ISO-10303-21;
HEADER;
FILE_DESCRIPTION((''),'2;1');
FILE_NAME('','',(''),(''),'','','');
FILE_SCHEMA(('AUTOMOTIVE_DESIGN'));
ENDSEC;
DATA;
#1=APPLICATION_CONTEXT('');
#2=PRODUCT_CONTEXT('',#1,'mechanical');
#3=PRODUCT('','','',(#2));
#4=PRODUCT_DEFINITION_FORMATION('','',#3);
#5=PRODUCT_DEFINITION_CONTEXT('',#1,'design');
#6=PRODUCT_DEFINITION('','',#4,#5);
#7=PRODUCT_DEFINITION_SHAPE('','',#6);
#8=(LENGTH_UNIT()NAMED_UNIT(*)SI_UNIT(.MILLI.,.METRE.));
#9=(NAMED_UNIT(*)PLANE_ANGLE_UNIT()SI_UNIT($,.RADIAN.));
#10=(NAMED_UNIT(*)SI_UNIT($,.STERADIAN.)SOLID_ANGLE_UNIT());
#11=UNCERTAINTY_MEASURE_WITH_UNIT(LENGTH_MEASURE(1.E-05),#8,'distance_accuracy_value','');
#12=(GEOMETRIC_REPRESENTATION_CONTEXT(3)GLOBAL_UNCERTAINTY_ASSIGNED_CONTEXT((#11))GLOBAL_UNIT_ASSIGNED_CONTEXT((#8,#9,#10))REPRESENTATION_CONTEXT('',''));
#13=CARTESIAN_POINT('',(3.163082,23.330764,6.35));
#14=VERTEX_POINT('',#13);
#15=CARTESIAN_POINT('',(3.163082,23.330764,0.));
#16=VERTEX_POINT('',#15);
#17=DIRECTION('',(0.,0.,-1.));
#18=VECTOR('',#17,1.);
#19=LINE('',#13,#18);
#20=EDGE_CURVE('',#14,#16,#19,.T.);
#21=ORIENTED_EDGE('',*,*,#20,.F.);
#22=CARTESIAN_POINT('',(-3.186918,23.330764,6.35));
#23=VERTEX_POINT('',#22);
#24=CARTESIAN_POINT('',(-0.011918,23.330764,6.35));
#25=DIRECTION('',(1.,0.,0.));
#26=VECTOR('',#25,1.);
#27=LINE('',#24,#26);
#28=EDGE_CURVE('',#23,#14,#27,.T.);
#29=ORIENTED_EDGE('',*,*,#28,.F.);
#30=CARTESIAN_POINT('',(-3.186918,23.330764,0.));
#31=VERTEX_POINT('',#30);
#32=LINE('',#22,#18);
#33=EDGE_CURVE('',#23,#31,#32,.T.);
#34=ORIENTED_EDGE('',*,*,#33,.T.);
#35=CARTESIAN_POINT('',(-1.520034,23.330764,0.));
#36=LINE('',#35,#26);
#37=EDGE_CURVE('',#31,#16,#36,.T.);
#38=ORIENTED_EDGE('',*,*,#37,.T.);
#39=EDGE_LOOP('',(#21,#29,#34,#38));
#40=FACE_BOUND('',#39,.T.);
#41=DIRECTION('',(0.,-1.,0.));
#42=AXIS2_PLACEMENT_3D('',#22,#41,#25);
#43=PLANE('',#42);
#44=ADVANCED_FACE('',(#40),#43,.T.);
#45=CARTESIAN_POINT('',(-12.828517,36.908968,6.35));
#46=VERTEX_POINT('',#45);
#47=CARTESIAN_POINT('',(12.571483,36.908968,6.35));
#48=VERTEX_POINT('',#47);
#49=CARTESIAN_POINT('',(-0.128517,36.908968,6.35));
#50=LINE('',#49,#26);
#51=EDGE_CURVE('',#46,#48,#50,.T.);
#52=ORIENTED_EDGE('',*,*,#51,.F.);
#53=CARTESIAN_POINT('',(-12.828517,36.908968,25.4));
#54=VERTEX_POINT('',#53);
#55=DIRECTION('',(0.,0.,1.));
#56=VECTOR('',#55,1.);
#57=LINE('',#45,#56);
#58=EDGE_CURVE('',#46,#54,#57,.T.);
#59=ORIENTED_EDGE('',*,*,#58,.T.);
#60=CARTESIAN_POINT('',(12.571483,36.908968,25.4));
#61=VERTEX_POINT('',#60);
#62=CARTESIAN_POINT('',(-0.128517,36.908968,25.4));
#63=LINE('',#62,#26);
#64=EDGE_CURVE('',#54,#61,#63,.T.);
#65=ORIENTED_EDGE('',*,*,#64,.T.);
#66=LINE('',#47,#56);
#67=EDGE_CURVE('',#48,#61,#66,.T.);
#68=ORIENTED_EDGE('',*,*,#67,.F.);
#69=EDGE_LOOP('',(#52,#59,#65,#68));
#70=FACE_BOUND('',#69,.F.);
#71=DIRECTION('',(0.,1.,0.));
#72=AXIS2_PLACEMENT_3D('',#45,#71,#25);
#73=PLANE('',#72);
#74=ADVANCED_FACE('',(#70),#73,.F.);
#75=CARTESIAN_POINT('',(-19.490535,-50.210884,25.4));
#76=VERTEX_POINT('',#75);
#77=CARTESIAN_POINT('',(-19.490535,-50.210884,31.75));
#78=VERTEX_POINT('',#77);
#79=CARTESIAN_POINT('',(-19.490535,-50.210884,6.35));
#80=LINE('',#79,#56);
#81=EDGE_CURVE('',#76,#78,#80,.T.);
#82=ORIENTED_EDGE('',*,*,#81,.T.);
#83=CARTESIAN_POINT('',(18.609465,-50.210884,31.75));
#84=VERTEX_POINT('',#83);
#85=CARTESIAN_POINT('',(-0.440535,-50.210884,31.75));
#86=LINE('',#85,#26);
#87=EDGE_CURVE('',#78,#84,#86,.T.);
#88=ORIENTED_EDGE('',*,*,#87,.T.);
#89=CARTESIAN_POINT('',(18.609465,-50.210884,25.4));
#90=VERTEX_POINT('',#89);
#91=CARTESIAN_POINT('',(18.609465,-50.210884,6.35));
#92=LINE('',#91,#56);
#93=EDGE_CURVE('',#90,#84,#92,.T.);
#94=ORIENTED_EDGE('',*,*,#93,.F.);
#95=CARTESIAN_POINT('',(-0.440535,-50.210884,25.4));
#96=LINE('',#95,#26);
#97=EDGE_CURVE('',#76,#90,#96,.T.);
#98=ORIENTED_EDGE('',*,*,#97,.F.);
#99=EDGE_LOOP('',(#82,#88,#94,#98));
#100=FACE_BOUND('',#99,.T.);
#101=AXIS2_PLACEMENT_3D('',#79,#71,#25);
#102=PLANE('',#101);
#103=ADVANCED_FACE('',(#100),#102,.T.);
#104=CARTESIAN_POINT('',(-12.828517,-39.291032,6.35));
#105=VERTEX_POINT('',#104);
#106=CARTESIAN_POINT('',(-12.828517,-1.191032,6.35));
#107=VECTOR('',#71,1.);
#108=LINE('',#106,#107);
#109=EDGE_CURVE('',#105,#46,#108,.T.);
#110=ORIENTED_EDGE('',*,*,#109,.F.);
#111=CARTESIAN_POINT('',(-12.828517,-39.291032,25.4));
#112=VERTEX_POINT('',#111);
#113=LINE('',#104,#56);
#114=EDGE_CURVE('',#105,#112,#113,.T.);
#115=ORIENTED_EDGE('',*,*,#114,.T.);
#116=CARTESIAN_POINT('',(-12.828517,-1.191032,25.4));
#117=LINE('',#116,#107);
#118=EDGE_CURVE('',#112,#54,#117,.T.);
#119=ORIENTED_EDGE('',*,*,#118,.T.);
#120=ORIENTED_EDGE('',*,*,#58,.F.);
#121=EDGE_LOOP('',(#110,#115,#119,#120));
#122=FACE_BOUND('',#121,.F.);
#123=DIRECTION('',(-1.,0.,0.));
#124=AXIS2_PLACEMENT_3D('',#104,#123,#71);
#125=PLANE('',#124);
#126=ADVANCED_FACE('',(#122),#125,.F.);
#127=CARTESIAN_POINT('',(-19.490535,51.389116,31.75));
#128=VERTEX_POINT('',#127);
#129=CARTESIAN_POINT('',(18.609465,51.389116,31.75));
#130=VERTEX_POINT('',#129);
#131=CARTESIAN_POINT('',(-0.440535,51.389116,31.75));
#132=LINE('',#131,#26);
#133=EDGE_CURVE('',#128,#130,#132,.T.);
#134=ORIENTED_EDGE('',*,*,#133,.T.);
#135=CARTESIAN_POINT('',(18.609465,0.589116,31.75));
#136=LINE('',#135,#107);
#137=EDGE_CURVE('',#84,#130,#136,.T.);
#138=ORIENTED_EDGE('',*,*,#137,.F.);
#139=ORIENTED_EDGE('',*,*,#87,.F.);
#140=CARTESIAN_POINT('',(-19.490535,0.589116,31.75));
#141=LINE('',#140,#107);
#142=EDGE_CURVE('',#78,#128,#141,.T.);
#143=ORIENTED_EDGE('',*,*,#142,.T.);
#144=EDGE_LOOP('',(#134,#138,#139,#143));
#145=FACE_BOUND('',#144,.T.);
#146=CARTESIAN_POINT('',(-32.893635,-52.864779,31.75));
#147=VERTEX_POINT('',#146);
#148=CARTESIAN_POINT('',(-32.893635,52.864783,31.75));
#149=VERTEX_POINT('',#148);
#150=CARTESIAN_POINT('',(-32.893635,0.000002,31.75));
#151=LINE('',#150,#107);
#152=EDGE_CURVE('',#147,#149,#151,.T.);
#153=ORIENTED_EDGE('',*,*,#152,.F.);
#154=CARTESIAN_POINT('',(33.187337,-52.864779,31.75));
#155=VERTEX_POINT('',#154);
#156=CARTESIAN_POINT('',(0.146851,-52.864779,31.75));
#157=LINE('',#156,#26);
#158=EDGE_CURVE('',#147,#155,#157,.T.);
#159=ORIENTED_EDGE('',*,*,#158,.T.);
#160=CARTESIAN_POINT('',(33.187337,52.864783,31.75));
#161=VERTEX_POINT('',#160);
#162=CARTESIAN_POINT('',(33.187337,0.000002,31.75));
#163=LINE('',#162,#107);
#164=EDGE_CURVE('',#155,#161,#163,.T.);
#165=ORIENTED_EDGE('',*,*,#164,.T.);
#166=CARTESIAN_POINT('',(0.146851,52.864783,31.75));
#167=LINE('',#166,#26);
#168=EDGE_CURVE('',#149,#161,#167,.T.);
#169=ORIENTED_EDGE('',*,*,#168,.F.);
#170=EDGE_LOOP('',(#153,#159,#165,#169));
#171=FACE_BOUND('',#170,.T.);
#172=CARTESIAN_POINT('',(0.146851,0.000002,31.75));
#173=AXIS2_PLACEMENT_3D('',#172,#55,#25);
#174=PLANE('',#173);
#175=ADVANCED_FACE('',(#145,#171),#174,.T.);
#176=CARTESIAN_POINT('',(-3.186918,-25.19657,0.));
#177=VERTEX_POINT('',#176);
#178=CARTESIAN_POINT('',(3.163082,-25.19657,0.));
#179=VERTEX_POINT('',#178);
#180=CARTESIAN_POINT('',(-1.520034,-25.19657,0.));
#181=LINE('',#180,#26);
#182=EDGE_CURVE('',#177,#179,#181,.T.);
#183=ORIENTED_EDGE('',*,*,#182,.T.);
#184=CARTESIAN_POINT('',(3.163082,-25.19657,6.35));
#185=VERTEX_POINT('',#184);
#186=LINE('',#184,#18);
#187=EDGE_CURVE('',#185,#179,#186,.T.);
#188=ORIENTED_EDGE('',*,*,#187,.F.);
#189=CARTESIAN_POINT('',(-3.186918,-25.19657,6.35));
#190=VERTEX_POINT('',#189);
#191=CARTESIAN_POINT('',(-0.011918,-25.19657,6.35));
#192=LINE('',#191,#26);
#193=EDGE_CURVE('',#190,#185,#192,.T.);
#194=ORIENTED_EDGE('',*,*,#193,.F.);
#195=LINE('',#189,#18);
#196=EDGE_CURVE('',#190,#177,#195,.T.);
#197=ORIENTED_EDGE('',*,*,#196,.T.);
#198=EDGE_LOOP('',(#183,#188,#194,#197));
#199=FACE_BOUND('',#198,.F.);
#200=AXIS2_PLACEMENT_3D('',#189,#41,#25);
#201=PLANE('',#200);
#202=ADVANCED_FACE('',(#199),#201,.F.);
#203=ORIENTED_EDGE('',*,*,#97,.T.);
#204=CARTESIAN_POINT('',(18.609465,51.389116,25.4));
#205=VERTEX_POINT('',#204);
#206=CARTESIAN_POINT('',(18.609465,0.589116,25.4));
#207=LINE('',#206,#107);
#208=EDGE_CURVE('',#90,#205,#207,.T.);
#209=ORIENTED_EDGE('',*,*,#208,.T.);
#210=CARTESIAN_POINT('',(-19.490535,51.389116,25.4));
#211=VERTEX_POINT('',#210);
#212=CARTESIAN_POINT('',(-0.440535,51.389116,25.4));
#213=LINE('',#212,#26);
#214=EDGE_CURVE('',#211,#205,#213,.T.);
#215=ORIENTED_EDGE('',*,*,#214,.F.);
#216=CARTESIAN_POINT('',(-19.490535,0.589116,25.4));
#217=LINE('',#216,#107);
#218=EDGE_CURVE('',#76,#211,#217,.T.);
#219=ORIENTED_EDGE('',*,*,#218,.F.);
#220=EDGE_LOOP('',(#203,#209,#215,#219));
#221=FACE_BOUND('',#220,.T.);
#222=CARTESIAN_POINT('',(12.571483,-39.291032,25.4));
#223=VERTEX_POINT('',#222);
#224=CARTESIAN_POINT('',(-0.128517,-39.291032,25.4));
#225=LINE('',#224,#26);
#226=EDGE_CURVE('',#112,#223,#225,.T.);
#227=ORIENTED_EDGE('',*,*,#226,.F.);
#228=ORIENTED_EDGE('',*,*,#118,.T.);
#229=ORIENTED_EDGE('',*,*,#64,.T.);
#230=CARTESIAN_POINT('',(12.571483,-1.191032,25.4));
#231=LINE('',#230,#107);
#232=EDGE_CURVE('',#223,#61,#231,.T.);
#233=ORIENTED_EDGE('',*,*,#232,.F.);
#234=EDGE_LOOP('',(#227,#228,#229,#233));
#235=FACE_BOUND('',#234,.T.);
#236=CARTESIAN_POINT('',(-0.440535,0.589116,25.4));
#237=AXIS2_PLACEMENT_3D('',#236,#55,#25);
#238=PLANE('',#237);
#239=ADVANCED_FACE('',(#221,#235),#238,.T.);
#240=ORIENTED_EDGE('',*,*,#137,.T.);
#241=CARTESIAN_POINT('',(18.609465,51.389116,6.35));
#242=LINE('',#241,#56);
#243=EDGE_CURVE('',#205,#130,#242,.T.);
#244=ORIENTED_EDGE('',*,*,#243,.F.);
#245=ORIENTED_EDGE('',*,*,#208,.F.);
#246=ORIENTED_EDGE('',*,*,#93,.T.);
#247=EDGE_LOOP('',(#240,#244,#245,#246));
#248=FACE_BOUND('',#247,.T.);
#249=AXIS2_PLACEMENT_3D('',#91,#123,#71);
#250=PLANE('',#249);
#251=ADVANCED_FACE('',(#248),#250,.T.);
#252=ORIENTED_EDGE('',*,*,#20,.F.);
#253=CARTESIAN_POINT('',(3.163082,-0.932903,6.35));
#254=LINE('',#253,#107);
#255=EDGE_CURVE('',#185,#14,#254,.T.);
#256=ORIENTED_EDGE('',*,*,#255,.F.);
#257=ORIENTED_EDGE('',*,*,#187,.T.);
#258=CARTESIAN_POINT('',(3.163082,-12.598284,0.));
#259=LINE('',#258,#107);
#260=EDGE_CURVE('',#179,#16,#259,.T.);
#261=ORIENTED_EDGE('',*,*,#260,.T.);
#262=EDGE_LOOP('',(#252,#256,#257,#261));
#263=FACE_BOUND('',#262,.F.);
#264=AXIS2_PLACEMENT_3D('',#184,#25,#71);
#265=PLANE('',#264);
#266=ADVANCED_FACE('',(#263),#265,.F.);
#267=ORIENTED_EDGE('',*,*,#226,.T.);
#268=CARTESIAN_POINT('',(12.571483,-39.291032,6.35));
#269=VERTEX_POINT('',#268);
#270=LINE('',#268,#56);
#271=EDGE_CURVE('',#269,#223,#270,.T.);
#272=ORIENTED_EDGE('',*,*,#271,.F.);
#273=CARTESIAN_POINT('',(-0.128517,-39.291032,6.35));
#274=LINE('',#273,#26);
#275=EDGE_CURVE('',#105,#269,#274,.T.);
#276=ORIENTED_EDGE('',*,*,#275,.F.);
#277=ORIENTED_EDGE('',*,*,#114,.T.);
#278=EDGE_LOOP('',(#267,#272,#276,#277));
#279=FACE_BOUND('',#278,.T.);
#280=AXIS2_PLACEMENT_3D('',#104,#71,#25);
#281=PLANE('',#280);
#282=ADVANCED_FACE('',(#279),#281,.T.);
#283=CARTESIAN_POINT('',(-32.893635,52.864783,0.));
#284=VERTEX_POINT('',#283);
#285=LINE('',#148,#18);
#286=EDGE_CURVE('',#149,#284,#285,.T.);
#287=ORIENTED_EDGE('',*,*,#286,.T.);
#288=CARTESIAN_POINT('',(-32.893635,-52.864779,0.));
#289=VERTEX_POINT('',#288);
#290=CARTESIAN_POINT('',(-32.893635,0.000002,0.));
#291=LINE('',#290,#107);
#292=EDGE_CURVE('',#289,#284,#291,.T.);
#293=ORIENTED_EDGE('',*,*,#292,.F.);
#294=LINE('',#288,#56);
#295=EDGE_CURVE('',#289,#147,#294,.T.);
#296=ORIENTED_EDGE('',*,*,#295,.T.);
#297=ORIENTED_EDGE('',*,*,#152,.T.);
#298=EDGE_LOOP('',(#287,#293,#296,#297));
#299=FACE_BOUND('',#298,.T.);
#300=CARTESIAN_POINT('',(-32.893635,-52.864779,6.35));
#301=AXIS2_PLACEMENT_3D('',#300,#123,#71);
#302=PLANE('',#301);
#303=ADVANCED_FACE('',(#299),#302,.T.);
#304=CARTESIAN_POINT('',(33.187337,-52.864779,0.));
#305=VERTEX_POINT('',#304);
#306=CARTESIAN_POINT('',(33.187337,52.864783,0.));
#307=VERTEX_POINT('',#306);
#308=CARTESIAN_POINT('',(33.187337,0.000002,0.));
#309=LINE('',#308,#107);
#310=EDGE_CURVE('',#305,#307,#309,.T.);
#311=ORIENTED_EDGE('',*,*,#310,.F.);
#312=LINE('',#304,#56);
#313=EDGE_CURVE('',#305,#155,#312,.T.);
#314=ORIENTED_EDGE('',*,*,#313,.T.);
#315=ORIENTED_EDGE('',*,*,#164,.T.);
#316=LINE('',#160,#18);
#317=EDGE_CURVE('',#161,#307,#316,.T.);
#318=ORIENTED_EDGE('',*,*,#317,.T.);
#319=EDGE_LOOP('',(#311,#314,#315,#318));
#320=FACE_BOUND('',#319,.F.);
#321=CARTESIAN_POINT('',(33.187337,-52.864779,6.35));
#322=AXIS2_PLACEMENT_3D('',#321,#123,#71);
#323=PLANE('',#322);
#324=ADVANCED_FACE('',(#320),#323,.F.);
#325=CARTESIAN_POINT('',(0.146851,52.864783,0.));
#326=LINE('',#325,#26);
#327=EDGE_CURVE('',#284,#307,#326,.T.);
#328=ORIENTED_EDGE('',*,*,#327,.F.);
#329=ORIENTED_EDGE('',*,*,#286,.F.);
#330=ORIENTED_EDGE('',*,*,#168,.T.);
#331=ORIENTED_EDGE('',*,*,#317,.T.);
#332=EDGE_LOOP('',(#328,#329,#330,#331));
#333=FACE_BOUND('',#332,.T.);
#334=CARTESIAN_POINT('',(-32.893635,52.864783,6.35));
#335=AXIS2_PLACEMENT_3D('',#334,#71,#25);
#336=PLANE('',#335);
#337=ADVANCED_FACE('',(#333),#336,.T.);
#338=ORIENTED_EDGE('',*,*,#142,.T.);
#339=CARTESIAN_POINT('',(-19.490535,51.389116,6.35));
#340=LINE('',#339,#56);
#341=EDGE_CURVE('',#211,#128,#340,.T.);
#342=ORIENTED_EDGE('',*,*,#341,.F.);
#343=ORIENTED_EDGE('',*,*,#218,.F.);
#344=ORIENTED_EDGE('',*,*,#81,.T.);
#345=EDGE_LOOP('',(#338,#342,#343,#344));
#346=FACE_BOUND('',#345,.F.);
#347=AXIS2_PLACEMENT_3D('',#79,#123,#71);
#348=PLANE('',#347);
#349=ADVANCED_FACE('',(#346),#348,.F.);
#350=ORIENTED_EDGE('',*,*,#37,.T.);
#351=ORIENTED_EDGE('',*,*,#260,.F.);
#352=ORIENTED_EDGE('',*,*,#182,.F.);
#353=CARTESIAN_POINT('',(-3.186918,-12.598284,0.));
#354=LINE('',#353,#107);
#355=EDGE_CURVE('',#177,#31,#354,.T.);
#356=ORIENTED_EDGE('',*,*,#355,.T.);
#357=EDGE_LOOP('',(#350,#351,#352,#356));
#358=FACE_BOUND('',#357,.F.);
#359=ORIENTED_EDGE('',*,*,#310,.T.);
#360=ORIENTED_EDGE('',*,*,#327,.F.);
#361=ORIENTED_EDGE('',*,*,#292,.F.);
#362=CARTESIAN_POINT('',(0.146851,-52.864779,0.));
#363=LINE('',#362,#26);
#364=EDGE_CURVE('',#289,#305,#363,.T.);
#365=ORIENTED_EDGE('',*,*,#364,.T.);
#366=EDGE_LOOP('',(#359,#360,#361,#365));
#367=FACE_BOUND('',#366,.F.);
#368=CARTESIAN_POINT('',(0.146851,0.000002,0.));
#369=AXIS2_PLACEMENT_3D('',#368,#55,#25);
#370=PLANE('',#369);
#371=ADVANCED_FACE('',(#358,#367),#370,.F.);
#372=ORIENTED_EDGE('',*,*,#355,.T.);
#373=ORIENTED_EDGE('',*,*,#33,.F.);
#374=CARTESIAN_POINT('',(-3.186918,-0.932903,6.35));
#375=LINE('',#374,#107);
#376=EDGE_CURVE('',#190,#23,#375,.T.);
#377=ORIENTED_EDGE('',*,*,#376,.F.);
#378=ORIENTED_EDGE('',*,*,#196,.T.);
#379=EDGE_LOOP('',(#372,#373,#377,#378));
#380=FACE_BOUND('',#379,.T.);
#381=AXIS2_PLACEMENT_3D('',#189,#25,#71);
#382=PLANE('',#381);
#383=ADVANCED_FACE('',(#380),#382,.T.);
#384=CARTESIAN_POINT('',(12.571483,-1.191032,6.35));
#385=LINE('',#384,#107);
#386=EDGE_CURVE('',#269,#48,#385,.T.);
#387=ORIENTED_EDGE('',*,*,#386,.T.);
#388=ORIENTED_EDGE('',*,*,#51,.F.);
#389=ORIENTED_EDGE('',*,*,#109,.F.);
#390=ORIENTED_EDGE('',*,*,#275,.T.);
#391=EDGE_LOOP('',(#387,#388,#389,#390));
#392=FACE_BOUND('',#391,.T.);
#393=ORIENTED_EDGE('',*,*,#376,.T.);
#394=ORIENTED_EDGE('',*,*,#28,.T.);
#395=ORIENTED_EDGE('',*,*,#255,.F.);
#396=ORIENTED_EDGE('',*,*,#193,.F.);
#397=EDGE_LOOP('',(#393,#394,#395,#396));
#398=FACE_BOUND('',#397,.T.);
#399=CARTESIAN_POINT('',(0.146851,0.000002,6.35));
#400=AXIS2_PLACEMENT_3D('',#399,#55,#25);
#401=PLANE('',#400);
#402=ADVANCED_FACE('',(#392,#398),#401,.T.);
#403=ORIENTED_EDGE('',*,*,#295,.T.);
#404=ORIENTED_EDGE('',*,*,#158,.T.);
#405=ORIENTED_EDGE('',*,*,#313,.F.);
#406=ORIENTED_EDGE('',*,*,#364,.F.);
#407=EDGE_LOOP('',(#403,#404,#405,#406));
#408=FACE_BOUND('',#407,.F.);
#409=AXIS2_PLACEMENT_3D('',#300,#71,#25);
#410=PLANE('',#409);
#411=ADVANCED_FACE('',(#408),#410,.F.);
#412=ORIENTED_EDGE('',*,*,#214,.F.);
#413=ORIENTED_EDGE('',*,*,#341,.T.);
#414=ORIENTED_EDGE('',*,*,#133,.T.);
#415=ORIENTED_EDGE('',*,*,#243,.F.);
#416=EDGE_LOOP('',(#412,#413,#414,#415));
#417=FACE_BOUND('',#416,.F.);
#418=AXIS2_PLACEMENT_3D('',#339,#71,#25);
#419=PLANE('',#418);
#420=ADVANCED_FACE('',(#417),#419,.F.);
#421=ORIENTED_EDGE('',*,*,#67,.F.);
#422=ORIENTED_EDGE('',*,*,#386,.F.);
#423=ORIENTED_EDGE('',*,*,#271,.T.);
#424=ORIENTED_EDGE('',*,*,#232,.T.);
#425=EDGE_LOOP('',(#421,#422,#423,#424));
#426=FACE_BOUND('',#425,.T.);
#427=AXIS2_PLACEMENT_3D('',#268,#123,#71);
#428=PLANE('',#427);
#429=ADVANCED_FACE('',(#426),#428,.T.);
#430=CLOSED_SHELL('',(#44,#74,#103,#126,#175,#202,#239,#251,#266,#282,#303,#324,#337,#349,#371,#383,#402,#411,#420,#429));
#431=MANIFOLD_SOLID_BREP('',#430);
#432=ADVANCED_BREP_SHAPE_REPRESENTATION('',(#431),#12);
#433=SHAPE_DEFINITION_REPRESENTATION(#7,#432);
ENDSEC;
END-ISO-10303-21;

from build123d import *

# Parameters (mm, degrees)
F0_W          = 66.080972
F0_H          = 105.729562
F1_DEPTH      = 6.35
F2_W          = 66.080972
F2_H          = 105.729562
F2_W_2        = 38.1
F2_H_2        = 101.6
F3_DEPTH      = 25.4
F4_W          = 38.1
F4_H          = 101.6
F4_W_2        = 25.4
F4_H_2        = 76.2
F5_DEPTH      = 19.05
F6_W          = 6.35
F6_H          = 48.527334
F7_DEPTH      = 25.4
F7_DEPTH_BACK = 25.4


with BuildPart() as f1:
    # F0 (on Top) → F1 (new body)
    with BuildSketch(Plane.XY):
        with Locations((0.146851, 2e-06)):
            Rectangle(F0_W, F0_H)
    extrude(amount=F1_DEPTH)

    # F2 (on face) → F3 (join)
    with BuildSketch(Plane.XY.offset(6.35)):
        with Locations((0.146851, 2e-06)):
            Rectangle(F2_W, F2_H)
        with Locations((-0.440535, 0.589116)):
            Rectangle(F2_W_2, F2_H_2, mode=Mode.SUBTRACT)
    extrude(amount=F3_DEPTH)

    # F4 (on face) → F5 (join)
    with BuildSketch(Plane.XY.offset(6.35)):
        with Locations((-0.440535, 0.589116)):
            Rectangle(F4_W, F4_H)
        with Locations((-0.128517, -1.191032)):
            Rectangle(F4_W_2, F4_H_2, mode=Mode.SUBTRACT)
    extrude(amount=F5_DEPTH)

    # F6 (on face) → F7 (cut, two sides)
    with BuildSketch(Plane.XY.offset(6.35)) as f7_sk:
        with Locations((-0.011918, -0.932903)):
            Rectangle(F6_W, F6_H)
    extrude(amount=F7_DEPTH, mode=Mode.SUBTRACT)
    extrude(f7_sk.sketch, amount=-F7_DEPTH_BACK, mode=Mode.SUBTRACT)


solid = f1.part
